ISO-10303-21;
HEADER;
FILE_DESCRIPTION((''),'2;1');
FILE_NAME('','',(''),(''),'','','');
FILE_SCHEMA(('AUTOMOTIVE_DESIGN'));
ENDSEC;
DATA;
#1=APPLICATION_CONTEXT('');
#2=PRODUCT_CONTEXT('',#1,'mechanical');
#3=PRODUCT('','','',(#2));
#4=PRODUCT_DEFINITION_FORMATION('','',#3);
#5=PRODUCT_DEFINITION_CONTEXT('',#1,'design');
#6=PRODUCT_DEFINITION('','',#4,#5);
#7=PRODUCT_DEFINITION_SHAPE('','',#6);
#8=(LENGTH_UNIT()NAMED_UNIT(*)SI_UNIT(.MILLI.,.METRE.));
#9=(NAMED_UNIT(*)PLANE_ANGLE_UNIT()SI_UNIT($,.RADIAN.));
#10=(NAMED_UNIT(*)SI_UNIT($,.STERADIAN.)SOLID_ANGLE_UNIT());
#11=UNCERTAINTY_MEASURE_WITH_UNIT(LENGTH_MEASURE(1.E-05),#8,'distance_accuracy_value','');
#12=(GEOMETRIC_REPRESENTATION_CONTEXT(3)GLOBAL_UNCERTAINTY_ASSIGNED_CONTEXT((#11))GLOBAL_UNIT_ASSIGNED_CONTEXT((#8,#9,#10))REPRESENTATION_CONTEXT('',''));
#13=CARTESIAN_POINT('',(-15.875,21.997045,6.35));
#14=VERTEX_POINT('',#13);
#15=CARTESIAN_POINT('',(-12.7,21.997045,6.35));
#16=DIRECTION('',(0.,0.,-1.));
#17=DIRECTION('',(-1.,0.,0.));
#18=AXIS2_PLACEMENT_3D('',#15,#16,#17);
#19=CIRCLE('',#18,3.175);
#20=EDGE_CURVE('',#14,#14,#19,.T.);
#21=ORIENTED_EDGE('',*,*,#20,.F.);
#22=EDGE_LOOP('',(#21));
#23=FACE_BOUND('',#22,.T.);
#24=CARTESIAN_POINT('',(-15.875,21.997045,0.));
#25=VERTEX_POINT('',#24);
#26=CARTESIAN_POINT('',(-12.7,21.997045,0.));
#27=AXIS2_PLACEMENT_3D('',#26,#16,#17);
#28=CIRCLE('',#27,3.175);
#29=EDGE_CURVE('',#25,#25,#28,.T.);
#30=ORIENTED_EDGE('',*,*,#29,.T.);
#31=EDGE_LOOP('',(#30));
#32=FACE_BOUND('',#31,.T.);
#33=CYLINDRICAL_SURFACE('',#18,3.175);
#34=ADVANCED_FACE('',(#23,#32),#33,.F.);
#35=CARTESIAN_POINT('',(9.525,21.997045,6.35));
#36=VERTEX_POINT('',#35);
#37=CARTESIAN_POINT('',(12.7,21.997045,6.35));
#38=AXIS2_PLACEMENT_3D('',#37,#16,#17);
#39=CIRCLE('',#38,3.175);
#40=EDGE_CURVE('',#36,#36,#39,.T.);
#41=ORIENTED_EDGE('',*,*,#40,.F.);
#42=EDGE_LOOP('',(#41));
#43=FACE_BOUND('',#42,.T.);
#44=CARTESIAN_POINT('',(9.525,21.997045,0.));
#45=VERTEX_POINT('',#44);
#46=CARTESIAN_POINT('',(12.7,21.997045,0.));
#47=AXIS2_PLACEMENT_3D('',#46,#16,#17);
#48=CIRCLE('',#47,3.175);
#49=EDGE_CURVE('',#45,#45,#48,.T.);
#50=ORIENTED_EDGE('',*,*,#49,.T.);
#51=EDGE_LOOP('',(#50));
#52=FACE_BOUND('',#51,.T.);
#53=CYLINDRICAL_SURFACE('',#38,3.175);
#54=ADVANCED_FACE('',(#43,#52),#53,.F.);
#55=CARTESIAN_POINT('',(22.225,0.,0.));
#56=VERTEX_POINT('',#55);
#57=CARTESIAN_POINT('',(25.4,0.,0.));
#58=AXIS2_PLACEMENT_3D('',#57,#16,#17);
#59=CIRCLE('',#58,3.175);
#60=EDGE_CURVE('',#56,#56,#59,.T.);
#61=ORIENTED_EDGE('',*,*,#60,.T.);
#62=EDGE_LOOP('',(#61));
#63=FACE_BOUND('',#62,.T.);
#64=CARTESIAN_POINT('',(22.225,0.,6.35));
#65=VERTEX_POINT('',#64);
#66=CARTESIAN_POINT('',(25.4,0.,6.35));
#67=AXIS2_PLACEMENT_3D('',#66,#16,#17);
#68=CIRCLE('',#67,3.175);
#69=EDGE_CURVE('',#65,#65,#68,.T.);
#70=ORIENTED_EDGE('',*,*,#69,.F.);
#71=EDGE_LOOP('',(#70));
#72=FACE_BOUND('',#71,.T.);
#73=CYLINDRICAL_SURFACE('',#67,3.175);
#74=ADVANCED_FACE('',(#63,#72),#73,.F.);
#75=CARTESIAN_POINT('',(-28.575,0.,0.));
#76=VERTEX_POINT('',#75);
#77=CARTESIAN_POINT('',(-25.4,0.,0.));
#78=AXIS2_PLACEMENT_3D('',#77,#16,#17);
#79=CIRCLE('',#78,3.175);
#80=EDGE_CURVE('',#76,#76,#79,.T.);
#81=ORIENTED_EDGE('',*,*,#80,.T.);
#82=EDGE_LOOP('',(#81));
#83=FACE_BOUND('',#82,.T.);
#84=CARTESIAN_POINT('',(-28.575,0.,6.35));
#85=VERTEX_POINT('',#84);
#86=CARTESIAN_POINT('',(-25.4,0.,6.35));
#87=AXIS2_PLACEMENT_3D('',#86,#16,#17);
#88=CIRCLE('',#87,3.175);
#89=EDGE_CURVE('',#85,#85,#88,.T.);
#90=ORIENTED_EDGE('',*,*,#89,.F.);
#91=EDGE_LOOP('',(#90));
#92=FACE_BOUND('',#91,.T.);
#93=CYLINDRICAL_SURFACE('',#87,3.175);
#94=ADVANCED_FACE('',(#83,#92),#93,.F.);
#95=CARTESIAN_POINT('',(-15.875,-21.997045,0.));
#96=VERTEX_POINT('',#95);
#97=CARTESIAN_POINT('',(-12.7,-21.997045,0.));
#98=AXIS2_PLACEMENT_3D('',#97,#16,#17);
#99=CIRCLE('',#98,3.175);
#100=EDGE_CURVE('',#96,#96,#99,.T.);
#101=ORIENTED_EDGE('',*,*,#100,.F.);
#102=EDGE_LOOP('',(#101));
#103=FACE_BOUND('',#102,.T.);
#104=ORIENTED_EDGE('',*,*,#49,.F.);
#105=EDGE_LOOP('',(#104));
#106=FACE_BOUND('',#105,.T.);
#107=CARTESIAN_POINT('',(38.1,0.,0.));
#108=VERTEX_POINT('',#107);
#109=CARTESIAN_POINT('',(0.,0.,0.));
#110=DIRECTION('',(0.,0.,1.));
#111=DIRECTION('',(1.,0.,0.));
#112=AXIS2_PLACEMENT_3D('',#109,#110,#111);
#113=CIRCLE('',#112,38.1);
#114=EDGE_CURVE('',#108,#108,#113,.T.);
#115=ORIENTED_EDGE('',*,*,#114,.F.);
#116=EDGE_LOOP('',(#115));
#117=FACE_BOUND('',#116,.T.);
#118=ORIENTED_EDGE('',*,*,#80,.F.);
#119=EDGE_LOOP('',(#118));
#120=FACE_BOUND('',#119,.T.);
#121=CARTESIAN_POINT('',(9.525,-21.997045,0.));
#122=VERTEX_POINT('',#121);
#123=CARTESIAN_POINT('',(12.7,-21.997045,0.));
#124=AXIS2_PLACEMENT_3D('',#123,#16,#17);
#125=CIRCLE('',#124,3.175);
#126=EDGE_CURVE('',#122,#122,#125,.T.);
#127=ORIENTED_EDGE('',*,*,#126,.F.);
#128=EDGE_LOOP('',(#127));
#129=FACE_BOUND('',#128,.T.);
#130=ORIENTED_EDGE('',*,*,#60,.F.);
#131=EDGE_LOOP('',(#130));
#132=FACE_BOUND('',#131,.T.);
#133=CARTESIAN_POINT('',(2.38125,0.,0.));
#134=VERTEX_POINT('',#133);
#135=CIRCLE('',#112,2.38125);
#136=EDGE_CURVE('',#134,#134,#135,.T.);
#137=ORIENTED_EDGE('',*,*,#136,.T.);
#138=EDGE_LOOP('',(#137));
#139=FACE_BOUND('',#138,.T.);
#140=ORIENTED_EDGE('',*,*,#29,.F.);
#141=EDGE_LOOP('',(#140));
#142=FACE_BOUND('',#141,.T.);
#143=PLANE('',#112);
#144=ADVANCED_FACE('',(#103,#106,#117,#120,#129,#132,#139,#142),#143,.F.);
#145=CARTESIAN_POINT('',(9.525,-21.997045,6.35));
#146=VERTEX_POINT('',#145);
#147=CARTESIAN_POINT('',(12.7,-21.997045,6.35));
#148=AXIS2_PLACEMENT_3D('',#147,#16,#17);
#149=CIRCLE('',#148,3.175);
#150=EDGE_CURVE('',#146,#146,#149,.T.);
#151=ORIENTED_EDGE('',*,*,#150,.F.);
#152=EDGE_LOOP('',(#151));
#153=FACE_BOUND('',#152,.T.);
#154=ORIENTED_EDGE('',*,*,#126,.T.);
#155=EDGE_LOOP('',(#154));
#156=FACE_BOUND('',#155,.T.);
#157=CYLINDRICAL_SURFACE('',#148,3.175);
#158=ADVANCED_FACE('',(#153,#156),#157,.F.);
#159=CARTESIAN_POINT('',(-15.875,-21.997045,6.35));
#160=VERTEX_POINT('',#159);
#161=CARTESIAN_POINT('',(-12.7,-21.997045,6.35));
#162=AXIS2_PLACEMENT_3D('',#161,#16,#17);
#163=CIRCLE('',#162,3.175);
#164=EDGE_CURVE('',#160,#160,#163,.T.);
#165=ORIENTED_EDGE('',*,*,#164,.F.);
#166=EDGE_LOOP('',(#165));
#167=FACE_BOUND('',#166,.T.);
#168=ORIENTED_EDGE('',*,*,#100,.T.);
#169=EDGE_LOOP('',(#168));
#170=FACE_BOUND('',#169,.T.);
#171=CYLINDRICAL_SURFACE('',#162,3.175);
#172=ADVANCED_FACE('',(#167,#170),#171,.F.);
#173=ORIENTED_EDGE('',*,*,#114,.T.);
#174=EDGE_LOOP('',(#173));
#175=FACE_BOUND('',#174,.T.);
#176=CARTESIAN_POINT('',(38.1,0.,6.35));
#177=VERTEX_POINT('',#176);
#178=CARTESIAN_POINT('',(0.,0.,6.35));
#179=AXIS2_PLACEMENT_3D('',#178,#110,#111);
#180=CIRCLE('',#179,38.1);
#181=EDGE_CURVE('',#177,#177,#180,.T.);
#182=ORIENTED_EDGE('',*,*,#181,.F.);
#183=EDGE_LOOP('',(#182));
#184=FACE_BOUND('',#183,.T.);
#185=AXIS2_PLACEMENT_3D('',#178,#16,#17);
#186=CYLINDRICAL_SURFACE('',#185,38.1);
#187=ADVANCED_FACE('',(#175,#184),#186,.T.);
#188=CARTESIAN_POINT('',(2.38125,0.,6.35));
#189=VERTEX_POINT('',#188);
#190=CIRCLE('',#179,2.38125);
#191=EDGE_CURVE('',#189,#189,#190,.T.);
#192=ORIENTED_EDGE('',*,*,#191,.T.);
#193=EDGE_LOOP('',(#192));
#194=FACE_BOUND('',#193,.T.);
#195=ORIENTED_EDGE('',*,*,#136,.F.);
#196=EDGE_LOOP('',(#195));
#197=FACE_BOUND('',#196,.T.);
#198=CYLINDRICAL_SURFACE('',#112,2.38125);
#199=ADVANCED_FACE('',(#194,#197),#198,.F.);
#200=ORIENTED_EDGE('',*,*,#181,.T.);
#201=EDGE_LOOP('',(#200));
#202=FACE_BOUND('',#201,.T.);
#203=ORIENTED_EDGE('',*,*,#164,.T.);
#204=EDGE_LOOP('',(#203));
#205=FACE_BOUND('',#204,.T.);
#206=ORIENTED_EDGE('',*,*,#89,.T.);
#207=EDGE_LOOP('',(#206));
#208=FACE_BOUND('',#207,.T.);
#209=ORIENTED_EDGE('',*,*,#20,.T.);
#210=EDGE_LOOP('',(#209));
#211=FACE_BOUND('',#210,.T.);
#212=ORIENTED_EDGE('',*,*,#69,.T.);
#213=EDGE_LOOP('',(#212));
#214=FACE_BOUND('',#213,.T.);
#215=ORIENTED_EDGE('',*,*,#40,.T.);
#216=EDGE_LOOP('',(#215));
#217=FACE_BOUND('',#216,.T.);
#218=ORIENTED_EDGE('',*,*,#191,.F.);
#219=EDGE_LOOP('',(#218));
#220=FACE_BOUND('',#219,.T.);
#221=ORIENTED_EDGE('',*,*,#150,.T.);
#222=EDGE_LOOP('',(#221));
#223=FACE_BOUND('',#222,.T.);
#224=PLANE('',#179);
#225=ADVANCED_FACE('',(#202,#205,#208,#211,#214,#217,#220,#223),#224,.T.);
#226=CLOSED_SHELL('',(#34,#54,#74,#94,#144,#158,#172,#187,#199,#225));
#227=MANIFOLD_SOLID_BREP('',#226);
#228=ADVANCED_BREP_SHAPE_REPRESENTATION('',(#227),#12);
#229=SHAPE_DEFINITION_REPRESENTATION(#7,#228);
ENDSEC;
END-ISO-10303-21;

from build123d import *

# Parameters (mm, degrees)
SKETCH1_R           = 38.1
BOSS_EXTRUDE1_DEPTH = 6.35
SKETCH4_R           = 3.175
CUT_EXTRUDE2_DEPTH  = 55.254423783
SKETCH2_R           = 2.38125
CUT_EXTRUDE3_DEPTH  = 55.254423783


with BuildPart() as part:
    # Sketch1 → Boss-Extrude1 (new body)
    with BuildSketch(Plane.XY):
        Circle(SKETCH1_R)
    extrude(amount=BOSS_EXTRUDE1_DEPTH)

    # Sketch4 → Cut-Extrude2 (cut, through all)
    with BuildSketch(Plane(origin=(0, 0, 0), x_dir=(-1, 0, 0), z_dir=(0, 0, -1))):
        with Locations((-25.4, 0)):
            Circle(SKETCH4_R)
        with Locations((-12.7, 21.997045256)):
            Circle(SKETCH4_R)
        with Locations((12.7, 21.997045256)):
            Circle(SKETCH4_R)
        with Locations((25.4, 0)):
            Circle(SKETCH4_R)
        with Locations((12.7, -21.997045256)):
            Circle(SKETCH4_R)
        with Locations((-12.7, -21.997045256)):
            Circle(SKETCH4_R)
    extrude(amount=-CUT_EXTRUDE2_DEPTH, mode=Mode.SUBTRACT)

    # Sketch2 → Cut-Extrude3 (cut, through all)
    with BuildSketch(Plane.XY.offset(6.35)):
        Circle(SKETCH2_R)
    extrude(amount=-CUT_EXTRUDE3_DEPTH, mode=Mode.SUBTRACT)


solid = part.part
